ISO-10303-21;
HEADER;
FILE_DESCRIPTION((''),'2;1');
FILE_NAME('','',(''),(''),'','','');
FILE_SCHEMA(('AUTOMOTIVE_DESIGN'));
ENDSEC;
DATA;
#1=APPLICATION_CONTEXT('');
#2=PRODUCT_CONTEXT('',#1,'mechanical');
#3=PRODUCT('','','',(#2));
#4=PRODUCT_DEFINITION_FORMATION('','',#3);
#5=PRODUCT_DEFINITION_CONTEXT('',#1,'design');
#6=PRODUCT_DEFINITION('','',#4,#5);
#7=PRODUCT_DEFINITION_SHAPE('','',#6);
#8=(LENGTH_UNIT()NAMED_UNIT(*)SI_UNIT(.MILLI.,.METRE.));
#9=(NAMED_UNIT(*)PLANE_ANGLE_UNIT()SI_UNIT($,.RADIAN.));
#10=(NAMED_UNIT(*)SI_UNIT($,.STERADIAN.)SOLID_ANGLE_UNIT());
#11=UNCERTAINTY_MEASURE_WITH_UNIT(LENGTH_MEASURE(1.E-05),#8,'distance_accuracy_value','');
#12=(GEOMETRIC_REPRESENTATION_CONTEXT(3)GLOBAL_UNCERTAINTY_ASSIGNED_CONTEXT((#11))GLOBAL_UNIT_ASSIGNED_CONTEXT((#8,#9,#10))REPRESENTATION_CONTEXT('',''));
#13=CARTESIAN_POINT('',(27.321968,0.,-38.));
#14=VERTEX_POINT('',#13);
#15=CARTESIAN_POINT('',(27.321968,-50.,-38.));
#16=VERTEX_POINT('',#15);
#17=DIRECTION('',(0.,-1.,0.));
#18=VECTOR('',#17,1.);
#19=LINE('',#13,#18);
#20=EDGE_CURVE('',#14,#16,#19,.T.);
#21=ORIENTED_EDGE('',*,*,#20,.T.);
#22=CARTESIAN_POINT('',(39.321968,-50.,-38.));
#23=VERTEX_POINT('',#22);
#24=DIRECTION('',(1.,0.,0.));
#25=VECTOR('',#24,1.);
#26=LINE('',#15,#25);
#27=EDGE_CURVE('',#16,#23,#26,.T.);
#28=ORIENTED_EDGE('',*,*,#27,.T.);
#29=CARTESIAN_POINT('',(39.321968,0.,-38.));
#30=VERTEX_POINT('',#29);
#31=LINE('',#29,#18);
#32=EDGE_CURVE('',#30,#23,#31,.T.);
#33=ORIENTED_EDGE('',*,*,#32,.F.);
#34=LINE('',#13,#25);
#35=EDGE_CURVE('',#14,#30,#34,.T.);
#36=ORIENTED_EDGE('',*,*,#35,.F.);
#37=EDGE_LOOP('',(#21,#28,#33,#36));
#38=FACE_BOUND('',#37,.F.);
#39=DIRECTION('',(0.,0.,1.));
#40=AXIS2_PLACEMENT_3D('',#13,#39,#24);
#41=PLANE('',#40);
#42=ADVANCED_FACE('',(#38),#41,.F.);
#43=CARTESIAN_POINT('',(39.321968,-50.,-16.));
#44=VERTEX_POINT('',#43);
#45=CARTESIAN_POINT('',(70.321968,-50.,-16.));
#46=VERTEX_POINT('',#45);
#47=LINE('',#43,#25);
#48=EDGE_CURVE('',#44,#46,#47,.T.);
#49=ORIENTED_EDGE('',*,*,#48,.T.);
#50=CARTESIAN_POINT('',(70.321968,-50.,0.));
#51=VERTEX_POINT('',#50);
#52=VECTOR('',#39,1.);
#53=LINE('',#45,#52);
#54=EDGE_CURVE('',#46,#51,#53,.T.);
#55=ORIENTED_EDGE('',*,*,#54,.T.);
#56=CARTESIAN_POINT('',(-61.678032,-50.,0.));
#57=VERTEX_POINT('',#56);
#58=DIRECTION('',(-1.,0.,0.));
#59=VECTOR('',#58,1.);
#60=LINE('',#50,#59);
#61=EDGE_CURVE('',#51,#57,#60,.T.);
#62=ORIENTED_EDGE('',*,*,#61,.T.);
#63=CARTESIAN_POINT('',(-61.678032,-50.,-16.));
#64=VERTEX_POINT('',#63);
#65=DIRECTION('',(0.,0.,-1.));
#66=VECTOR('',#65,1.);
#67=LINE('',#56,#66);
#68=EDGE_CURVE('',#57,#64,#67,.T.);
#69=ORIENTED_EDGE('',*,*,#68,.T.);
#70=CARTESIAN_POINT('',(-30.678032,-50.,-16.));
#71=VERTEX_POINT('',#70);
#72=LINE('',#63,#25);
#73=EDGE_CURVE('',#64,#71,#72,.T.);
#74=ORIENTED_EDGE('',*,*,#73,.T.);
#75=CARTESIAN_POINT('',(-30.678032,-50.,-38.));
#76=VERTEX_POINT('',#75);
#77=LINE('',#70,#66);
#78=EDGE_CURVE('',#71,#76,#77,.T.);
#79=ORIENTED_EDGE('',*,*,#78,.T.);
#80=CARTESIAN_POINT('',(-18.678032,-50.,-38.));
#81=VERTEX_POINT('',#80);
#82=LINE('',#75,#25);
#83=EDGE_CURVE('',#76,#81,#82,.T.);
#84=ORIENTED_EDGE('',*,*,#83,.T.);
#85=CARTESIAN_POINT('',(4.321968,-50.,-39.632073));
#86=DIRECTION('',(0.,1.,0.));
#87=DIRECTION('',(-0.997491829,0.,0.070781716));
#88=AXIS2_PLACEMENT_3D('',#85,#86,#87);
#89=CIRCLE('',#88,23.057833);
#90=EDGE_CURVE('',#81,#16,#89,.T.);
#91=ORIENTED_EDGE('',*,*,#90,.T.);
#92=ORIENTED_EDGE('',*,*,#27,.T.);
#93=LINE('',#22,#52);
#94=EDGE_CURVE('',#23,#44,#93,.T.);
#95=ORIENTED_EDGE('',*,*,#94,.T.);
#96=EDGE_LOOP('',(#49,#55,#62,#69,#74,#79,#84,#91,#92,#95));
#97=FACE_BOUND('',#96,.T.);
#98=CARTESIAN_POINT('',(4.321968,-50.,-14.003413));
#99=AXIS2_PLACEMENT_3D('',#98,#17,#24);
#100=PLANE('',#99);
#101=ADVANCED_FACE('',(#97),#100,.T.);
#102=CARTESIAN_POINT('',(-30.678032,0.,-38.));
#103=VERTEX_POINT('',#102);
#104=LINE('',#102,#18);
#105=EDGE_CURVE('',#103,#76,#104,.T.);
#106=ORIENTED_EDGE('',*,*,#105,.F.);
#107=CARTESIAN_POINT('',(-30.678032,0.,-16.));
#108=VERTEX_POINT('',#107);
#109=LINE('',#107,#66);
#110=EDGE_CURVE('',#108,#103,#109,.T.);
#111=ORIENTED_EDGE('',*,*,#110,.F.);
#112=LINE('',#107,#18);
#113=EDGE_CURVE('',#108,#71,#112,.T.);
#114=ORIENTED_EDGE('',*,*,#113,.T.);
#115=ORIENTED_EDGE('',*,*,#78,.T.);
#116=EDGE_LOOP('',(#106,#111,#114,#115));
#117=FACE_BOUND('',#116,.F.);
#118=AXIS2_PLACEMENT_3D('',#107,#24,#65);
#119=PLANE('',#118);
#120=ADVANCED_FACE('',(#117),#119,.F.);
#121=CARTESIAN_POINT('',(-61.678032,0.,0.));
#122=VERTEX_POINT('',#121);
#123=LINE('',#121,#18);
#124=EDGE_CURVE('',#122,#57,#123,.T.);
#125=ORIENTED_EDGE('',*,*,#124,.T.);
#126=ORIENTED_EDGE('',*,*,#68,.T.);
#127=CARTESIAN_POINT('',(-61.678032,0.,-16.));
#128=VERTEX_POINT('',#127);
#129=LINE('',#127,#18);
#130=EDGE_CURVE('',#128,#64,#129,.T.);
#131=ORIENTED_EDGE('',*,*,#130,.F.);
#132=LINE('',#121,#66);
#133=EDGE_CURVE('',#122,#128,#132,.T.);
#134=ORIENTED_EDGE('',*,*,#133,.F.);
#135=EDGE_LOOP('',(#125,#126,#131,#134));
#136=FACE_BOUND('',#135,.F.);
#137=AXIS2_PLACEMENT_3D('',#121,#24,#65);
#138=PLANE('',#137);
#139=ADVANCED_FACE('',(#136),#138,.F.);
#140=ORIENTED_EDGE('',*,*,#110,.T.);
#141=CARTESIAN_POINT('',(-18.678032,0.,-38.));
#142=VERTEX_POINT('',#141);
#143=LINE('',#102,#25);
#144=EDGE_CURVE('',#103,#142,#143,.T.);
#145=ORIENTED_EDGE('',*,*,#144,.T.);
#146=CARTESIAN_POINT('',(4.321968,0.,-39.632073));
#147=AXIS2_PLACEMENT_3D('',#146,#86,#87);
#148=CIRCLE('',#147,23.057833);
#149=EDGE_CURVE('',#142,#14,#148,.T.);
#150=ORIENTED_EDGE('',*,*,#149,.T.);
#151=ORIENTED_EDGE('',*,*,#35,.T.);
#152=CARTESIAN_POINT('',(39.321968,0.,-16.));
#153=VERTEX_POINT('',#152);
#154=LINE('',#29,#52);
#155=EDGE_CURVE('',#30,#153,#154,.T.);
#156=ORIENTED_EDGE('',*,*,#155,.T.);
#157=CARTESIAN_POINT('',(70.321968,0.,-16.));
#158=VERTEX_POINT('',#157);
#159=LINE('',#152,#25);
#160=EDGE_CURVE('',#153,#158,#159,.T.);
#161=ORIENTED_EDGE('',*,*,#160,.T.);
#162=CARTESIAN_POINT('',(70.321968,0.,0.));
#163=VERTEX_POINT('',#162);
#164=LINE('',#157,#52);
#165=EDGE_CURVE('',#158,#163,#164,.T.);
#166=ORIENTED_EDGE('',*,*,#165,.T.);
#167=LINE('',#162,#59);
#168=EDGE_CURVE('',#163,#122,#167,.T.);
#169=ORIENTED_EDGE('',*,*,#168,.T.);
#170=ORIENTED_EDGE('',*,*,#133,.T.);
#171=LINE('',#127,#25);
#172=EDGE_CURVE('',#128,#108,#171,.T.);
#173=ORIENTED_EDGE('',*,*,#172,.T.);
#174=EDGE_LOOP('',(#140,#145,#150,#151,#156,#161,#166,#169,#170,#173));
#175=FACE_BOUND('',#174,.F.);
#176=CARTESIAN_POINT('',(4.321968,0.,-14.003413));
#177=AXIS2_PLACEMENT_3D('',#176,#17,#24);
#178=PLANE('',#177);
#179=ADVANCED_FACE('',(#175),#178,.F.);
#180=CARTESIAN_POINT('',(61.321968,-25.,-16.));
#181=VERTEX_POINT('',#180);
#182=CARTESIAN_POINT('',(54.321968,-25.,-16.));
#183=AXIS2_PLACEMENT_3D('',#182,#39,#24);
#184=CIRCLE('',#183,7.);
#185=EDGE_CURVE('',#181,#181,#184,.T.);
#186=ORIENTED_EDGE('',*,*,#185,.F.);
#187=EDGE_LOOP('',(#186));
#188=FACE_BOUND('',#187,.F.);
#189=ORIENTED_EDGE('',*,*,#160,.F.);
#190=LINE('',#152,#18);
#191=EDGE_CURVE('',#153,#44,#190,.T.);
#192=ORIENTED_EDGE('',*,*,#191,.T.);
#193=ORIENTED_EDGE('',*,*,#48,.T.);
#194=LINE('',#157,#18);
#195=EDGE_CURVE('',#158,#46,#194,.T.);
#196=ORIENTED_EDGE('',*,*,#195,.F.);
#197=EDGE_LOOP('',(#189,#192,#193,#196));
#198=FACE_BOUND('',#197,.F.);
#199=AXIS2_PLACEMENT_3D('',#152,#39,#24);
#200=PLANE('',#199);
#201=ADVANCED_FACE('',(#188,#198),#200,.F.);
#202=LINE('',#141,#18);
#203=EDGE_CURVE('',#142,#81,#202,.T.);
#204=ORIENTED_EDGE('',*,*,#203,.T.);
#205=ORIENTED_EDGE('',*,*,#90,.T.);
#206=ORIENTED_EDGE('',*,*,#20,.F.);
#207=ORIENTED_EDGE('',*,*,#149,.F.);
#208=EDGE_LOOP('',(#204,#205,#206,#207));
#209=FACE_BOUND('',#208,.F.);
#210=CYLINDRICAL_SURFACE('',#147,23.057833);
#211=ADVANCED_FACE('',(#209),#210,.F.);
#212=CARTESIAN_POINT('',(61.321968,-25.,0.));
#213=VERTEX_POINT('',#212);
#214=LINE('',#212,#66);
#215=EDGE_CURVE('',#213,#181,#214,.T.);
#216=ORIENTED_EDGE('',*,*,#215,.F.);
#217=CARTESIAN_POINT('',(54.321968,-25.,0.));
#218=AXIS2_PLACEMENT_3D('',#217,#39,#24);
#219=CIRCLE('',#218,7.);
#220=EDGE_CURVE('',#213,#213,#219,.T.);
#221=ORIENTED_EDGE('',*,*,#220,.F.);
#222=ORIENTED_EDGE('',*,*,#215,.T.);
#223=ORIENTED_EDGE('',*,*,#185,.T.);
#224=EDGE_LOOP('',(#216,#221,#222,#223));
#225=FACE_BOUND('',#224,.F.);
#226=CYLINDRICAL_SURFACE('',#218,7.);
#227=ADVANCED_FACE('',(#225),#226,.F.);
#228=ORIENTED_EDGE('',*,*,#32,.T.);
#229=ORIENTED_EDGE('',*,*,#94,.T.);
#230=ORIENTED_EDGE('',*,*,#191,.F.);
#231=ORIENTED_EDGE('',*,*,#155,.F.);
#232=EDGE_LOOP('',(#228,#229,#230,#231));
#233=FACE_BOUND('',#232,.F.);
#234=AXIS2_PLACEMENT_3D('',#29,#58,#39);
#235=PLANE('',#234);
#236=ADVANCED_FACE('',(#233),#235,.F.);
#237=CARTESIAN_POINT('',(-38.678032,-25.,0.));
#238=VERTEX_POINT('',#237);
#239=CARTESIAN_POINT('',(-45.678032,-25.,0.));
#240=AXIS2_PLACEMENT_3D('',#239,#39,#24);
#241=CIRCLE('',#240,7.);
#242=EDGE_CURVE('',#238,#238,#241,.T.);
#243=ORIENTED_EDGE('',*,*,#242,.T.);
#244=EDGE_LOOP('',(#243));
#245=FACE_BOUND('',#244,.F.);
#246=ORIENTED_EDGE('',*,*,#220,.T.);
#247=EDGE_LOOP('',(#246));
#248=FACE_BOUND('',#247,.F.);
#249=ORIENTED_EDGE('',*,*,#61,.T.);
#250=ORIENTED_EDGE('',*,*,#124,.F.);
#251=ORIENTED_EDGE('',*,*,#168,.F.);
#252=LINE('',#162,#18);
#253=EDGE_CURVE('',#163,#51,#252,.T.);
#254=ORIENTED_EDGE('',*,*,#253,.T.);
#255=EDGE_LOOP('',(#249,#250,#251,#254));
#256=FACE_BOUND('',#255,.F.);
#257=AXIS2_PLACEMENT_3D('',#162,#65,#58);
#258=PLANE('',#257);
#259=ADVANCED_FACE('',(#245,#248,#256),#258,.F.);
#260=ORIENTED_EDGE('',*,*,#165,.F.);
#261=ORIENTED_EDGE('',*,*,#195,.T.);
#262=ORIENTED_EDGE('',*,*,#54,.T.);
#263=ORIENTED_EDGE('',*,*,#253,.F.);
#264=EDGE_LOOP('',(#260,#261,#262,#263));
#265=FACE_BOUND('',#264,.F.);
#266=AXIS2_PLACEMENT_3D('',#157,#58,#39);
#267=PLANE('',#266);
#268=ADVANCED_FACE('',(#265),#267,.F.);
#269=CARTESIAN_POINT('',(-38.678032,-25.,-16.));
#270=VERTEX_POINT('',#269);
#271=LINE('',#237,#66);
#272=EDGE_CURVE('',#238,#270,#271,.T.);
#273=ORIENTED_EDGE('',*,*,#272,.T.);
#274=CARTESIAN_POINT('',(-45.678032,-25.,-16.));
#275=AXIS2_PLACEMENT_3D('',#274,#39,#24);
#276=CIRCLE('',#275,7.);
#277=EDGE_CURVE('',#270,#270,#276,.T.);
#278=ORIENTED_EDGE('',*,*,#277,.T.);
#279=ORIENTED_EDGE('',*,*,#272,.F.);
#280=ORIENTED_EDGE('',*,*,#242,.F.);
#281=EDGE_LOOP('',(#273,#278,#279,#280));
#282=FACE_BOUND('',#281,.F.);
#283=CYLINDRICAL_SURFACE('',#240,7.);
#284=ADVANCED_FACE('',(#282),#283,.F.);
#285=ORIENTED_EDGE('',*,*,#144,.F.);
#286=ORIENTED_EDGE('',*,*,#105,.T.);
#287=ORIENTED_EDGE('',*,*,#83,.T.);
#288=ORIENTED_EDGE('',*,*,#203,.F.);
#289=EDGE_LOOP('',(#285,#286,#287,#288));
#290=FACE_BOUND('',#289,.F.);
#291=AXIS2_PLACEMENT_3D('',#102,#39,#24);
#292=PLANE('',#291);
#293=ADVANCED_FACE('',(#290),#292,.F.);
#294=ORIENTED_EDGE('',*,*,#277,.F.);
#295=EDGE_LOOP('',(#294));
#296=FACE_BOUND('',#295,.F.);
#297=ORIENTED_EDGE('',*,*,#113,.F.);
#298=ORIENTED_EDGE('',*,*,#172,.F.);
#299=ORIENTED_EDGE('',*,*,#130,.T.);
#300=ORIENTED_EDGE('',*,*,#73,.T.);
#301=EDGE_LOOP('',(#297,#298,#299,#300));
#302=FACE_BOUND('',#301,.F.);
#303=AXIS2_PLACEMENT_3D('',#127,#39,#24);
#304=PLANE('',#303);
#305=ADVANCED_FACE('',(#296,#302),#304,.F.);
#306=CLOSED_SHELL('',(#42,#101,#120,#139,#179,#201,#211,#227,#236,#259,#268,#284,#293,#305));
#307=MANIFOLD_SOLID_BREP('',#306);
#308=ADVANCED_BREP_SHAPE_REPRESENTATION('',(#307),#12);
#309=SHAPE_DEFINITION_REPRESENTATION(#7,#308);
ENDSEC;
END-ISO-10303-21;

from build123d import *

# Parameters (mm, degrees)
F1_DEPTH = 50
F2_R     = 7
F3_DEPTH = 25


with BuildPart() as f1:
    # F0 (on Front) → F1 (new body)
    with BuildSketch(Plane.XZ):
        with BuildLine():
            Line((70.321968, 0), (-61.678032, 0))
            Line((-61.678032, 0), (-61.678032, -16))
            Line((-61.678032, -16), (-30.678032, -16))
            Line((-30.678032, -16), (-30.678032, -38))
            Line((-30.678032, -38), (-18.678032, -38))
            ThreePointArc((-18.678032, -38), (4.321968, -16.57424), (27.321968, -38))
            Line((27.321968, -38), (39.321968, -38))
            Line((39.321968, -38), (39.321968, -16))
            Line((39.321968, -16), (70.321968, -16))
            Line((70.321968, -16), (70.321968, 0))
        make_face()
    extrude(amount=F1_DEPTH)

    # F2 (on face) → F3 (cut)
    with BuildSketch(Plane.XY):
        with Locations((54.321968, -25)):
            Circle(F2_R)
        with Locations((-45.678032, -25)):
            Circle(F2_R)
    extrude(amount=-F3_DEPTH, mode=Mode.SUBTRACT)


solid = f1.part
